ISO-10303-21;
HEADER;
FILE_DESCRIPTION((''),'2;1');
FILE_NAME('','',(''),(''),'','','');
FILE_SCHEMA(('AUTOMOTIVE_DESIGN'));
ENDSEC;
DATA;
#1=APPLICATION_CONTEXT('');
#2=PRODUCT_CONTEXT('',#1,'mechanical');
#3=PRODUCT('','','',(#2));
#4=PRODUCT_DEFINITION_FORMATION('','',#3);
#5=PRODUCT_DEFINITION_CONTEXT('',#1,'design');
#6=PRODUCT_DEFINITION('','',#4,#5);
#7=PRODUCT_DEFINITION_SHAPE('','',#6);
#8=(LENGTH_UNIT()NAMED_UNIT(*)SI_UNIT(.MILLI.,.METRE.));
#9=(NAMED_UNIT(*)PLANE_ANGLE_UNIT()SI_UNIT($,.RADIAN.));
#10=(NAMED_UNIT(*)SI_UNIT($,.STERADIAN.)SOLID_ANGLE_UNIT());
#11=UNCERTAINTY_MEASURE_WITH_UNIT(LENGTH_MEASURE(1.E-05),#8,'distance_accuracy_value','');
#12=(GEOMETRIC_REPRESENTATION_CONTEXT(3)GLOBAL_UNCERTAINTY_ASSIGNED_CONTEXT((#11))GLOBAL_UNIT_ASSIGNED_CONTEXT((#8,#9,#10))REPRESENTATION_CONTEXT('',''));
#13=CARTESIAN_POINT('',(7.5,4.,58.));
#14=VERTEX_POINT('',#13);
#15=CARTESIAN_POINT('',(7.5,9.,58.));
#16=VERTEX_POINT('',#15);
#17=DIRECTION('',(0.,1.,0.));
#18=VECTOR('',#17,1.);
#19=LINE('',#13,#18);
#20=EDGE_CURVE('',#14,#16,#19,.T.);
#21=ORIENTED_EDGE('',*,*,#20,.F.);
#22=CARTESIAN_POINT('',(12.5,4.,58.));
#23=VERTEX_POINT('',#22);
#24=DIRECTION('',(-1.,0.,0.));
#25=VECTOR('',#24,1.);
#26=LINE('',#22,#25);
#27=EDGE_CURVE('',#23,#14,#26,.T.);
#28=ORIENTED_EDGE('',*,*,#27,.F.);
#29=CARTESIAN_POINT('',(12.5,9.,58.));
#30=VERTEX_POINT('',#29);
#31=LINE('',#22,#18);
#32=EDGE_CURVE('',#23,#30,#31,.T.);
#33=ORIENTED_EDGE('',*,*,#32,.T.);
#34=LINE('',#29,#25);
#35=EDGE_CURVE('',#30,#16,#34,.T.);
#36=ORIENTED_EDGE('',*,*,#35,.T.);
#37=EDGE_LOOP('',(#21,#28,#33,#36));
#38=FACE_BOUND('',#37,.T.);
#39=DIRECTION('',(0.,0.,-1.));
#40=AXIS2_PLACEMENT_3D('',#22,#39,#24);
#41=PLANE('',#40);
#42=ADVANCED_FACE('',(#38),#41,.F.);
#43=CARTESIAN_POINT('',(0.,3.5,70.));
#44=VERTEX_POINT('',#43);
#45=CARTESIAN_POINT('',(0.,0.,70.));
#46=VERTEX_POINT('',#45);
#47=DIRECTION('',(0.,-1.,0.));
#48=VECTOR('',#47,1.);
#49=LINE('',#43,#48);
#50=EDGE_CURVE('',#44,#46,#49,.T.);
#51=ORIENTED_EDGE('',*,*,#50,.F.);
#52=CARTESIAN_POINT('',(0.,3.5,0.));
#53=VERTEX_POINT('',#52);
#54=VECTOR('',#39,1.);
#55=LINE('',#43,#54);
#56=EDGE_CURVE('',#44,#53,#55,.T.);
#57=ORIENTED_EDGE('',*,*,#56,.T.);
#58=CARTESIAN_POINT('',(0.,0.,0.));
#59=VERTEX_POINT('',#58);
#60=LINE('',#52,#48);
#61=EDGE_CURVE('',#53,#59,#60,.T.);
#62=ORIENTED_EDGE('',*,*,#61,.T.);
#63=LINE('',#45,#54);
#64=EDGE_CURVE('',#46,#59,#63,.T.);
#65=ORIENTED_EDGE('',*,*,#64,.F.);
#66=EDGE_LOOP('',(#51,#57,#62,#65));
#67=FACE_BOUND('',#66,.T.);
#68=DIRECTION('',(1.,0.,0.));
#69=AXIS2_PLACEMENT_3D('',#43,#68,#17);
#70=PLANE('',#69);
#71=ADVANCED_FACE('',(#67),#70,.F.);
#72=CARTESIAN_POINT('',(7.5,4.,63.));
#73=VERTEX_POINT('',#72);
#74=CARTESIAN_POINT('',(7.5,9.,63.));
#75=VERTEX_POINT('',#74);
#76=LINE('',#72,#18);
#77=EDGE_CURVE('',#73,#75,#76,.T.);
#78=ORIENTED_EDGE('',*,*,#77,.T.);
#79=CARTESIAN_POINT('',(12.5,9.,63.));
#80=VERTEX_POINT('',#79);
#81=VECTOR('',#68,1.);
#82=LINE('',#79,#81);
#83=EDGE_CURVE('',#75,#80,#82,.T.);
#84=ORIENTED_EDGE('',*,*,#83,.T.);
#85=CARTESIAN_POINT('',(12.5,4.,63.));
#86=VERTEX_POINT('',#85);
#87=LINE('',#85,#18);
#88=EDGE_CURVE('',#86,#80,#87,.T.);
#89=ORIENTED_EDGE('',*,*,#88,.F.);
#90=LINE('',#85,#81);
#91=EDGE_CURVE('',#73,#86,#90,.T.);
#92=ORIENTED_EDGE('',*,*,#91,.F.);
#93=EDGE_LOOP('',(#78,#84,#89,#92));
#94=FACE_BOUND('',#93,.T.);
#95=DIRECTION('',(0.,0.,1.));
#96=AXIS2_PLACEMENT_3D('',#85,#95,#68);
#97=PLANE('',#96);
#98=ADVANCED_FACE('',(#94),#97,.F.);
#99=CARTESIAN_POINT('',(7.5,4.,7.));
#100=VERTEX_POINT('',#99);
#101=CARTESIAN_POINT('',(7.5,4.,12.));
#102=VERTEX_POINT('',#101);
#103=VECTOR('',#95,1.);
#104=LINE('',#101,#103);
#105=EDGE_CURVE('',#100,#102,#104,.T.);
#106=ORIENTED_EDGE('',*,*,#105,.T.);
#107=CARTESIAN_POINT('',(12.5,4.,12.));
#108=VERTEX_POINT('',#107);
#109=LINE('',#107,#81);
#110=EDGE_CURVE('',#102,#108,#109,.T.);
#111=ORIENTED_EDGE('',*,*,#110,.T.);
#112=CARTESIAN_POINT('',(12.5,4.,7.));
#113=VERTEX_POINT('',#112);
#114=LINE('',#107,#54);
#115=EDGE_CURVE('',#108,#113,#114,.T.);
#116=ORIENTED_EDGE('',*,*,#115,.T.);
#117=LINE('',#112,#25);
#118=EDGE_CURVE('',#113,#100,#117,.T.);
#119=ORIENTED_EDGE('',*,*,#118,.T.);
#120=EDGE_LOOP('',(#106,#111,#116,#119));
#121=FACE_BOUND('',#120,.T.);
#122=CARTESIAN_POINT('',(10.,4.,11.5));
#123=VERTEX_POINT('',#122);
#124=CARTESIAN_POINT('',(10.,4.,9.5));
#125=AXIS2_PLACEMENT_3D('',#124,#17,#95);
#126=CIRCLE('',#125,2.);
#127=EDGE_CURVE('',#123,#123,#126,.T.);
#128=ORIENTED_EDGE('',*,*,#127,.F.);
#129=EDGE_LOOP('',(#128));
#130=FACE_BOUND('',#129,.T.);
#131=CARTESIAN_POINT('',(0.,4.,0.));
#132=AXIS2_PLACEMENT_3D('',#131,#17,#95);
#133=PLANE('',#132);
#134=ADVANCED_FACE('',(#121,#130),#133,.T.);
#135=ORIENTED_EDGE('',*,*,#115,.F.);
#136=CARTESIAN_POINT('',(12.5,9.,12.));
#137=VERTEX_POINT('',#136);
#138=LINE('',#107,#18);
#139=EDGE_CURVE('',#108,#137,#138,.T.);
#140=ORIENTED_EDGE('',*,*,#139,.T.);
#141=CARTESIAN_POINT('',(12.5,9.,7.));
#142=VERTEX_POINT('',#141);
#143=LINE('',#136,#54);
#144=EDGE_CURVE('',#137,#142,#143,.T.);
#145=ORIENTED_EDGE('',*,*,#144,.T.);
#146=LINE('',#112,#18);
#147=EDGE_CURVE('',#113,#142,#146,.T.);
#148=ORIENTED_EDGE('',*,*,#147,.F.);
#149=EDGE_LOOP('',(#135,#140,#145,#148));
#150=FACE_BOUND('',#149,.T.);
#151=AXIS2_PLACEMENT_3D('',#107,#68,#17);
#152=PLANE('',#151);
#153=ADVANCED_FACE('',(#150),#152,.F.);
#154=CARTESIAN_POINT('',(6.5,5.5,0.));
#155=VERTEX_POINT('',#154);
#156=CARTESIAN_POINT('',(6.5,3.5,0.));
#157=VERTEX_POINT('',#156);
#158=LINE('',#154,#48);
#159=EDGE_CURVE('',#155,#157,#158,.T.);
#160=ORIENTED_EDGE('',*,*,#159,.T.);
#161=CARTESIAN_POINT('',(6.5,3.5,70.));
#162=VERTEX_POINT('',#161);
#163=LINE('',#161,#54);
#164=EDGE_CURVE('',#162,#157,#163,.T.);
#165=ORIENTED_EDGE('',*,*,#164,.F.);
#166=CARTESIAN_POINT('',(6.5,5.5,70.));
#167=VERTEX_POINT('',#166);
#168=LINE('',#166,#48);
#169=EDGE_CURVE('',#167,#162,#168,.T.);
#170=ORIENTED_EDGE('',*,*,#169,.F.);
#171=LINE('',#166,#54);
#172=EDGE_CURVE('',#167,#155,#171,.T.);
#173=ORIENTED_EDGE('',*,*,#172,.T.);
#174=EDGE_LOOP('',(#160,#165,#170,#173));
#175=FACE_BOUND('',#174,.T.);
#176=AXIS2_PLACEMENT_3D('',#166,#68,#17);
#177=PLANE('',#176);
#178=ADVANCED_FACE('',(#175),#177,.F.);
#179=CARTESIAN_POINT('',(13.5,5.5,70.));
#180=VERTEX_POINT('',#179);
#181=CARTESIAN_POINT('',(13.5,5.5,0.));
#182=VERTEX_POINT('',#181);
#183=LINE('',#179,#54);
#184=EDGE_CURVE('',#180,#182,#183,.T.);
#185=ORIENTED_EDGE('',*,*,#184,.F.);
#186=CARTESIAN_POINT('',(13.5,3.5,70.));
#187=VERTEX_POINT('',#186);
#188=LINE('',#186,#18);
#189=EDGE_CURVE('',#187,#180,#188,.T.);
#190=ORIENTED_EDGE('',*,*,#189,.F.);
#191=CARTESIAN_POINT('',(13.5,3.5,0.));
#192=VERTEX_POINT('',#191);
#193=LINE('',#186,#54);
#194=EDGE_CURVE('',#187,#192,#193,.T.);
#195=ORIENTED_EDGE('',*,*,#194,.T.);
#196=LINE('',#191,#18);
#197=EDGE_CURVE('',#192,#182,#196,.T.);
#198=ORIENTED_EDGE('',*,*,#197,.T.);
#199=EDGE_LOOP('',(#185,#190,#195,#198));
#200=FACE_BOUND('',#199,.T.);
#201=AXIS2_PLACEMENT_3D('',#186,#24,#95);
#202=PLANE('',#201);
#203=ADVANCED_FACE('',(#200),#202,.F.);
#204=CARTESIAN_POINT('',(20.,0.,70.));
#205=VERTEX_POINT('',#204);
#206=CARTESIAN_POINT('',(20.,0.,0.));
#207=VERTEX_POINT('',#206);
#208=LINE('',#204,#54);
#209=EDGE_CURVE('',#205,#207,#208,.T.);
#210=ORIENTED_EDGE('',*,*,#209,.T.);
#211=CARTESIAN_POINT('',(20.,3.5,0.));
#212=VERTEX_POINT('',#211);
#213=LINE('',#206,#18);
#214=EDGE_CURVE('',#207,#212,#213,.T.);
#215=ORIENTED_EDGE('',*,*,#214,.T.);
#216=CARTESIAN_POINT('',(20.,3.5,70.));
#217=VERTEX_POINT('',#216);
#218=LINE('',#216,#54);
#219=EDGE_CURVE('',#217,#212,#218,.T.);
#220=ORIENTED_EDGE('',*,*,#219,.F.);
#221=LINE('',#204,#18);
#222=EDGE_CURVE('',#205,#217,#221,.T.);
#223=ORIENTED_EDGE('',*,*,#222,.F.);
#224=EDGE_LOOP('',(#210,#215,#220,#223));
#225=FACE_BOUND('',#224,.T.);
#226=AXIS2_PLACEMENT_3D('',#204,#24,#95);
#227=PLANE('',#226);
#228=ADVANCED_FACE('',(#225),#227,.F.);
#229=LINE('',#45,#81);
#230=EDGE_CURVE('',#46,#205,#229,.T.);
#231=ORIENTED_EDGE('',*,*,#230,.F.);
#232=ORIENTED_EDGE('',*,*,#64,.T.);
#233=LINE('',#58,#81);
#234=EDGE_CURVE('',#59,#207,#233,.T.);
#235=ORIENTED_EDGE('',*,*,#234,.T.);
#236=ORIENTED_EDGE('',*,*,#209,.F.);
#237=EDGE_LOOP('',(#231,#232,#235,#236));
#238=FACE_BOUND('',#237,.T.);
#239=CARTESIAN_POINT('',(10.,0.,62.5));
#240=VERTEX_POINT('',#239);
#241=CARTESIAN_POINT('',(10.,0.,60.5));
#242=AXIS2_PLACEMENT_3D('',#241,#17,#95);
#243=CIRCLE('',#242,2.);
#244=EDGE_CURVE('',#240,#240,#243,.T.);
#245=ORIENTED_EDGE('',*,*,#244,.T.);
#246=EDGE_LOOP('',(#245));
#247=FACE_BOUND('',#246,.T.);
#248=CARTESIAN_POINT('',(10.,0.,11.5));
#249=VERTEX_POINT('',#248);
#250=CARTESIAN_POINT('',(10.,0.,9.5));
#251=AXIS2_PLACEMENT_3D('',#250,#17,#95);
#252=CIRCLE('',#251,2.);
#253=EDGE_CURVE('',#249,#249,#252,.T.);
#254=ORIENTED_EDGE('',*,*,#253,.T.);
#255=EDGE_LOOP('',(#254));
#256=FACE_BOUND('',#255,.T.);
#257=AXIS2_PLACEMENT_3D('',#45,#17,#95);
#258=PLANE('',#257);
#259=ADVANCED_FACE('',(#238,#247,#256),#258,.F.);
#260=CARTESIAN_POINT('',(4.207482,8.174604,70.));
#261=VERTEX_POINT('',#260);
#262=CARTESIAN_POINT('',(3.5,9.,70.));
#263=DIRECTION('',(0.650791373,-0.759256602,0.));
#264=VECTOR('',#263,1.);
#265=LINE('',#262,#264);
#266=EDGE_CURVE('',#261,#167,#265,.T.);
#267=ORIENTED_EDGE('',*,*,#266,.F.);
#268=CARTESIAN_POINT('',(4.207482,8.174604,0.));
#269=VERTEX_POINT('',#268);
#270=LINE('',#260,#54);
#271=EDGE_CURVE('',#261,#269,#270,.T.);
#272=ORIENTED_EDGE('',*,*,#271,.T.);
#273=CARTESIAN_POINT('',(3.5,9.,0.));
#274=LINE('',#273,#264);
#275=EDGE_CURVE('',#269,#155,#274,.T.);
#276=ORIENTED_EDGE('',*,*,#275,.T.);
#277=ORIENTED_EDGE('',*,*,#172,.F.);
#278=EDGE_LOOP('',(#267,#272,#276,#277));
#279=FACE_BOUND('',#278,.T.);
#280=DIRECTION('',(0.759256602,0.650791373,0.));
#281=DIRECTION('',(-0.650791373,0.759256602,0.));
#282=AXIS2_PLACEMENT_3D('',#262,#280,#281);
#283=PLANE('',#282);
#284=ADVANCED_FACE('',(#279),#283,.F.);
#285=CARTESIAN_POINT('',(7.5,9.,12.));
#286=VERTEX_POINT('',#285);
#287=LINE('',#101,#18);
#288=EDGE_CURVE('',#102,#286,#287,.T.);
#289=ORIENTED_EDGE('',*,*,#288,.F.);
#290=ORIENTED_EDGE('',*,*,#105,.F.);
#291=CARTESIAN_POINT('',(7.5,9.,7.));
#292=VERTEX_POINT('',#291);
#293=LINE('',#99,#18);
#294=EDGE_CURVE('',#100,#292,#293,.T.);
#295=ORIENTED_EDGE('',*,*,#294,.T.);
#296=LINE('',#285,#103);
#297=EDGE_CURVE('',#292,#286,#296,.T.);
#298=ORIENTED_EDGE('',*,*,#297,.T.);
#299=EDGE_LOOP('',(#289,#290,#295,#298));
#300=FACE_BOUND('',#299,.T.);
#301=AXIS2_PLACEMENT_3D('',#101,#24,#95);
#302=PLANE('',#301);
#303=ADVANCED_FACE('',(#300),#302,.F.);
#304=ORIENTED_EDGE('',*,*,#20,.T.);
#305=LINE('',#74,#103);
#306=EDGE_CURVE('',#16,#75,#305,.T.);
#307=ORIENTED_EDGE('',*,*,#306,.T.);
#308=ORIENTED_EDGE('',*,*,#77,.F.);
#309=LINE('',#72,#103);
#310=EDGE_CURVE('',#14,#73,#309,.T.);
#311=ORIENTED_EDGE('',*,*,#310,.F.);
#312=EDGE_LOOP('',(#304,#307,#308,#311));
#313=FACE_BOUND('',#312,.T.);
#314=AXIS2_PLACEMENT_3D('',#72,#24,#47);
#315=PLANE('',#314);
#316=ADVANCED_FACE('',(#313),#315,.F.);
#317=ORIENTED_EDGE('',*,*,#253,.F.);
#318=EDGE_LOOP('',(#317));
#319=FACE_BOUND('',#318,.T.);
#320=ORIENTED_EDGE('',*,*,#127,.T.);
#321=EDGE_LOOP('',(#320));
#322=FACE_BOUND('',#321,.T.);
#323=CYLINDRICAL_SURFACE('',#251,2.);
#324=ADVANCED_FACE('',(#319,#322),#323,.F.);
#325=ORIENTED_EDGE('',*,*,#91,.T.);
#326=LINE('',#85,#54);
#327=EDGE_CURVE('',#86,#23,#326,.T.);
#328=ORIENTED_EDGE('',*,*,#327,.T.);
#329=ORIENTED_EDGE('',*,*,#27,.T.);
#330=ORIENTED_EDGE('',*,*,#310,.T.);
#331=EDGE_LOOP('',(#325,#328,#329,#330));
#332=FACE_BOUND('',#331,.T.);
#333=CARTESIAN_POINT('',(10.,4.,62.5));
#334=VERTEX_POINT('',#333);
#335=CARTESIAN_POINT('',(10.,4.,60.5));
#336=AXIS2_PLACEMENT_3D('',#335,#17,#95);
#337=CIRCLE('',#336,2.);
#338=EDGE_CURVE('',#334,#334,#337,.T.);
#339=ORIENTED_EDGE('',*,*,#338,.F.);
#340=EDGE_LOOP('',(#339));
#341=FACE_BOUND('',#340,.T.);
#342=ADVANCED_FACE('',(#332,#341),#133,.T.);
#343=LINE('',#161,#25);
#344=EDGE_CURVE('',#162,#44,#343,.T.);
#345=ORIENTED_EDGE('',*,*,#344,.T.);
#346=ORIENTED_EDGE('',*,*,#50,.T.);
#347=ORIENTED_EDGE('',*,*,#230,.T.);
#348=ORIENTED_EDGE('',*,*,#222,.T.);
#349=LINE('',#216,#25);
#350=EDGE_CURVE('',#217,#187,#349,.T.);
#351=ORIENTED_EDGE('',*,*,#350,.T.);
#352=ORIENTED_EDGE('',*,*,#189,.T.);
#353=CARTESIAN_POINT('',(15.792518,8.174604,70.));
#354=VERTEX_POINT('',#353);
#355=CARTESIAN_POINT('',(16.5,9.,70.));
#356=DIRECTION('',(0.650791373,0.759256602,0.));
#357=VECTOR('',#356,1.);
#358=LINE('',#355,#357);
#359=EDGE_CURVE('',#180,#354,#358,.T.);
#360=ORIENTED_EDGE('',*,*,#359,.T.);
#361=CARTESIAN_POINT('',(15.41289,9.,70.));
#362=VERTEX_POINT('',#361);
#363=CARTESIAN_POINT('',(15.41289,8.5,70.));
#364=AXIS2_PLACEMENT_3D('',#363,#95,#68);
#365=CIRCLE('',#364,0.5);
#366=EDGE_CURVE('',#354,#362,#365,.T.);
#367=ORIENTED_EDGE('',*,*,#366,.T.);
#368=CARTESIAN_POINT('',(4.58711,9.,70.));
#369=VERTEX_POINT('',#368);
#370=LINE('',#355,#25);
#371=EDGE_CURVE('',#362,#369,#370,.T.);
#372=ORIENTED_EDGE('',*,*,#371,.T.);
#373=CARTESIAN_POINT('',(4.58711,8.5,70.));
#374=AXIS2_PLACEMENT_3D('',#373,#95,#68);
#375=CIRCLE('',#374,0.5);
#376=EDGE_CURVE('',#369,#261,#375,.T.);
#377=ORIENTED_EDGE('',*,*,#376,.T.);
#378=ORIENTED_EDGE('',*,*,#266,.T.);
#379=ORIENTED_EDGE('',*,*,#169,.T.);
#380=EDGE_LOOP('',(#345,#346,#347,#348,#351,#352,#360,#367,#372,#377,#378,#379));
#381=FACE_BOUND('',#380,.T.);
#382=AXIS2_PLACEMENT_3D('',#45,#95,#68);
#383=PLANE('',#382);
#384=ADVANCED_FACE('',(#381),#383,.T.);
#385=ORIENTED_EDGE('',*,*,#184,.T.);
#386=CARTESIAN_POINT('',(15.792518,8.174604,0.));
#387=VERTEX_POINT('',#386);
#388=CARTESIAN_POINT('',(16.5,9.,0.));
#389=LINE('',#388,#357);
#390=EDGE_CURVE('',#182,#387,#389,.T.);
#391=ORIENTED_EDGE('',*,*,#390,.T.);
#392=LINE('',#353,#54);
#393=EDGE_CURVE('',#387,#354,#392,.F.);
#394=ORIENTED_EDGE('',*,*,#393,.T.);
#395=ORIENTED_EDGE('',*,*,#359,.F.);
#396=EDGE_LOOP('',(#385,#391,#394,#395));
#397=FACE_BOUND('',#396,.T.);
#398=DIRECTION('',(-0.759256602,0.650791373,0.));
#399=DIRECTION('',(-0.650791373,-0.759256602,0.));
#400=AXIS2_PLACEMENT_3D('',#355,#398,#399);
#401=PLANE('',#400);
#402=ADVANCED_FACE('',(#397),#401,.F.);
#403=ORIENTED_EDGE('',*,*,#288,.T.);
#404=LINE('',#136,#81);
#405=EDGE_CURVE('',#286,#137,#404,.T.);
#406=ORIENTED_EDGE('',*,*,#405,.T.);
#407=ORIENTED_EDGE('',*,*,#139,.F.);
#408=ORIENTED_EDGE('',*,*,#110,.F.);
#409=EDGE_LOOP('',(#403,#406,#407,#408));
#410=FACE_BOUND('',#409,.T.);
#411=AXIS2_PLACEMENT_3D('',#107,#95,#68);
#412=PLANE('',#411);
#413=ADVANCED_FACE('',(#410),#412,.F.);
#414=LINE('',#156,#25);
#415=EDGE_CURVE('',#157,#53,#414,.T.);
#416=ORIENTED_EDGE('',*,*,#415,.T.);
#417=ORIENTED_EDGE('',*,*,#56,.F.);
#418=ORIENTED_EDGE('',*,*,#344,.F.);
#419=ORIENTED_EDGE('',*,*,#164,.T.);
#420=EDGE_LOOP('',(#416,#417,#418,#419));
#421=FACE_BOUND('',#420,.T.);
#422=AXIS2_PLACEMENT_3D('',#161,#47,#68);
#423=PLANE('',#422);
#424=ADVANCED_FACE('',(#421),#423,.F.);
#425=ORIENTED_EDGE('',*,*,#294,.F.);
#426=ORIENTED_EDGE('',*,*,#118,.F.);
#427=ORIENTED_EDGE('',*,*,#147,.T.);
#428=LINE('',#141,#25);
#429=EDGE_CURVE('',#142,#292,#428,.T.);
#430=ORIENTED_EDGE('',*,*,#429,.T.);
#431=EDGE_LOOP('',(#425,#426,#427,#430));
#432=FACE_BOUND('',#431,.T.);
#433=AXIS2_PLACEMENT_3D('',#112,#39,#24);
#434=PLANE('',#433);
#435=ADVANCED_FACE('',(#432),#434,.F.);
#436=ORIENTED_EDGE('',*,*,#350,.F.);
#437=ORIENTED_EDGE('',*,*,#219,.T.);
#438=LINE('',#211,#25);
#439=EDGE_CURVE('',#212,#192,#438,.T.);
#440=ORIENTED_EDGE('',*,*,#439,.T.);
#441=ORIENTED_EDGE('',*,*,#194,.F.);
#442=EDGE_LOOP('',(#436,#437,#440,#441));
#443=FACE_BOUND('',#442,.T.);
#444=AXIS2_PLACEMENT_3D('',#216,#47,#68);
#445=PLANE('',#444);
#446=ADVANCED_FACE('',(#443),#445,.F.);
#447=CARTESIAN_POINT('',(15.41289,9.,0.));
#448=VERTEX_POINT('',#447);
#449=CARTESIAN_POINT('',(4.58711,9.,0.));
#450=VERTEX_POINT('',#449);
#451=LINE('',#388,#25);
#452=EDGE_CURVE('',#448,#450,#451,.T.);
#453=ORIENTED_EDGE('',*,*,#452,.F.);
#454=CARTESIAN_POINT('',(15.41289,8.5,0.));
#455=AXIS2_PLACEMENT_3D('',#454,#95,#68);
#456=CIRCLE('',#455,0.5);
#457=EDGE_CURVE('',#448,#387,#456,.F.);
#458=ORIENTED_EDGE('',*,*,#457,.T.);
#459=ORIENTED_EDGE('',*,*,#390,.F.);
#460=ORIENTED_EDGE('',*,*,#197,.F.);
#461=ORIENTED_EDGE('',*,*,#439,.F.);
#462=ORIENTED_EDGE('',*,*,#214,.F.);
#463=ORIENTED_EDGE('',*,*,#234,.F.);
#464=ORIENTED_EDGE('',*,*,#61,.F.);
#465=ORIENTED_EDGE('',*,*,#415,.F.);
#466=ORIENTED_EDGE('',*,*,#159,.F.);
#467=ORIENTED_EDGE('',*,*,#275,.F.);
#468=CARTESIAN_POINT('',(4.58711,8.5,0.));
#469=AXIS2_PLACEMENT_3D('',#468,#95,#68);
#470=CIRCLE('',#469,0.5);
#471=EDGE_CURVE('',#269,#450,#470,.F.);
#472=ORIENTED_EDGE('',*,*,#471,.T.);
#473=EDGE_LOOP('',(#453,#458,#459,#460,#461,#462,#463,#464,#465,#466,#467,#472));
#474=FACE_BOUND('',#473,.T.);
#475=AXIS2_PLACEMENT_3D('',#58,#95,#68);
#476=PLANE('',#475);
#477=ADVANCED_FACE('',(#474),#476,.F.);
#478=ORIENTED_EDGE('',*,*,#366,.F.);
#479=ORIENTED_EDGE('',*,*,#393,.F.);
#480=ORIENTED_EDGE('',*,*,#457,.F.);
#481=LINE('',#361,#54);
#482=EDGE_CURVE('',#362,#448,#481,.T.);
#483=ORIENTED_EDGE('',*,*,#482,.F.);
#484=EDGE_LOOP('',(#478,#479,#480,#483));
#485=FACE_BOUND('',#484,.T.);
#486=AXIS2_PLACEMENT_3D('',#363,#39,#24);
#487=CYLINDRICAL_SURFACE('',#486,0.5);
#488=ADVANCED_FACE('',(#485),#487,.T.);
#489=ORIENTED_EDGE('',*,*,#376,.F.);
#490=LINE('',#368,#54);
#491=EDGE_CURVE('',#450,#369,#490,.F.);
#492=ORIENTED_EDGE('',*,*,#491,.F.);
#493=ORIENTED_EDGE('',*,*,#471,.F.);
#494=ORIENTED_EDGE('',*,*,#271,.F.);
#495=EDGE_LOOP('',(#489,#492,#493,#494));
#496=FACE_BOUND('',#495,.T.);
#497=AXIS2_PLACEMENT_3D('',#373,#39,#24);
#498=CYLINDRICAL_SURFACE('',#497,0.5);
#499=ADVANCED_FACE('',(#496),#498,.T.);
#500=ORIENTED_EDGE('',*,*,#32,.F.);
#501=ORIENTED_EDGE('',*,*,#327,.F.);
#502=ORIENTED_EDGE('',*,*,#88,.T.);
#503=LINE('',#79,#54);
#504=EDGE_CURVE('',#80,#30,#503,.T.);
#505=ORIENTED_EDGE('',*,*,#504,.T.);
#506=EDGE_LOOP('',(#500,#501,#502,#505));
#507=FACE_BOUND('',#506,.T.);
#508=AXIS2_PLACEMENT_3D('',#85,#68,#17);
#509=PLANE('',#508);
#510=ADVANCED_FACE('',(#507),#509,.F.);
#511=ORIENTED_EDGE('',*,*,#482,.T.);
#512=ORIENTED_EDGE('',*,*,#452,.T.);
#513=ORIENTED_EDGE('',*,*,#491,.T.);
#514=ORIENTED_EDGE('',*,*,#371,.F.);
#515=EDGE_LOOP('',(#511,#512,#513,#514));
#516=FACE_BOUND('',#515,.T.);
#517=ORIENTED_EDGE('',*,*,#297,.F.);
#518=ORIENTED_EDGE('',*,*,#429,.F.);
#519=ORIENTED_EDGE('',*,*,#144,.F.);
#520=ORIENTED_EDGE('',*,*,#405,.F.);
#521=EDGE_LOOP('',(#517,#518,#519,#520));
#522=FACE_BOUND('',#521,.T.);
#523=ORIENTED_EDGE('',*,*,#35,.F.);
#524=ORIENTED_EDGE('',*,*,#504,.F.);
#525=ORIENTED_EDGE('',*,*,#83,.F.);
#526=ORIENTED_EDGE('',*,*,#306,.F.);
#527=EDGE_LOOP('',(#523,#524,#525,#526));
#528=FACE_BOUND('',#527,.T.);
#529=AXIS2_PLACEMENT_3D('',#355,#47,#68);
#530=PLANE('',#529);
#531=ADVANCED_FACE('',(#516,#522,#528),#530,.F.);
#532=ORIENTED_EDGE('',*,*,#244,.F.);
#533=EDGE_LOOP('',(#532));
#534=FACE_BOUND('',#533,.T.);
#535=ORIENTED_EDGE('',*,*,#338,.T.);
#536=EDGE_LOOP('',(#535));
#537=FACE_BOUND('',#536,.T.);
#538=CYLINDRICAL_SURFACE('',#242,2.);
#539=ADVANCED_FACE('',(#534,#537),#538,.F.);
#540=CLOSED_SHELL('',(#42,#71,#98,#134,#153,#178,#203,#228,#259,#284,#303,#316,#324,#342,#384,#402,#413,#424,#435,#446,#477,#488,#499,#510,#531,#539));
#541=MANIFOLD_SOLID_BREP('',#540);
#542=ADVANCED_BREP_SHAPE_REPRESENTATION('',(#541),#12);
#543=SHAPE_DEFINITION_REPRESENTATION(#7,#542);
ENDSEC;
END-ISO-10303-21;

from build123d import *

# Parameters (mm, degrees)
BOSS_EXTRUDE1_DEPTH = 70
FILLET3_R           = 0.5
FILLET4_R           = 0.5
SKETCH2_W           = 5
SKETCH2_H           = 5
CUT_EXTRUDE1_DEPTH  = 5
SKETCH3_R           = 2
CUT_EXTRUDE2_DEPTH  = 73.972597597


with BuildPart() as part:
    # Sketch1 → Boss-Extrude1 (new body)
    with BuildSketch(Plane.XY):
        Polygon((0, 0), (20, 0), (20, 3.5), (13.5, 3.5), (13.5, 5.5), (16.5, 9), (3.5, 9), (6.5, 5.5), (6.5, 3.5), (0, 3.5), align=None)
    extrude(amount=BOSS_EXTRUDE1_DEPTH)

    # Fillet3
    fillet3_edges = [part.edges().sort_by_distance(p)[0] for p in [
        (16.5, 9, 35),
    ]]
    fillet(fillet3_edges, radius=FILLET3_R)

    # Fillet4
    fillet4_edges = [part.edges().sort_by_distance(p)[0] for p in [
        (3.5, 9, 35),
    ]]
    fillet(fillet4_edges, radius=FILLET4_R)

    # Sketch2 → Cut-Extrude1 (cut)
    with BuildSketch(Plane(origin=(0, 9, 0), x_dir=(1, 0, 0), z_dir=(0, 1, 0))):
        with Locations((10, -9.5)):
            Rectangle(SKETCH2_W, SKETCH2_H)
        with Locations((10, -60.5)):
            Rectangle(SKETCH2_W, SKETCH2_H)
    extrude(amount=-CUT_EXTRUDE1_DEPTH, mode=Mode.SUBTRACT)

    # Sketch3 → Cut-Extrude2 (cut, through all)
    with BuildSketch(Plane(origin=(0, 4, 0), x_dir=(1, 0, 0), z_dir=(0, 1, 0))):
        with Locations(Location((10, -9.5, 0), (0, 0, 270))):
            Circle(SKETCH3_R)
        with Locations(Location((10, -60.5, 0), (0, 0, 270))):
            Circle(SKETCH3_R)
    extrude(amount=-CUT_EXTRUDE2_DEPTH, mode=Mode.SUBTRACT)


solid = part.part
